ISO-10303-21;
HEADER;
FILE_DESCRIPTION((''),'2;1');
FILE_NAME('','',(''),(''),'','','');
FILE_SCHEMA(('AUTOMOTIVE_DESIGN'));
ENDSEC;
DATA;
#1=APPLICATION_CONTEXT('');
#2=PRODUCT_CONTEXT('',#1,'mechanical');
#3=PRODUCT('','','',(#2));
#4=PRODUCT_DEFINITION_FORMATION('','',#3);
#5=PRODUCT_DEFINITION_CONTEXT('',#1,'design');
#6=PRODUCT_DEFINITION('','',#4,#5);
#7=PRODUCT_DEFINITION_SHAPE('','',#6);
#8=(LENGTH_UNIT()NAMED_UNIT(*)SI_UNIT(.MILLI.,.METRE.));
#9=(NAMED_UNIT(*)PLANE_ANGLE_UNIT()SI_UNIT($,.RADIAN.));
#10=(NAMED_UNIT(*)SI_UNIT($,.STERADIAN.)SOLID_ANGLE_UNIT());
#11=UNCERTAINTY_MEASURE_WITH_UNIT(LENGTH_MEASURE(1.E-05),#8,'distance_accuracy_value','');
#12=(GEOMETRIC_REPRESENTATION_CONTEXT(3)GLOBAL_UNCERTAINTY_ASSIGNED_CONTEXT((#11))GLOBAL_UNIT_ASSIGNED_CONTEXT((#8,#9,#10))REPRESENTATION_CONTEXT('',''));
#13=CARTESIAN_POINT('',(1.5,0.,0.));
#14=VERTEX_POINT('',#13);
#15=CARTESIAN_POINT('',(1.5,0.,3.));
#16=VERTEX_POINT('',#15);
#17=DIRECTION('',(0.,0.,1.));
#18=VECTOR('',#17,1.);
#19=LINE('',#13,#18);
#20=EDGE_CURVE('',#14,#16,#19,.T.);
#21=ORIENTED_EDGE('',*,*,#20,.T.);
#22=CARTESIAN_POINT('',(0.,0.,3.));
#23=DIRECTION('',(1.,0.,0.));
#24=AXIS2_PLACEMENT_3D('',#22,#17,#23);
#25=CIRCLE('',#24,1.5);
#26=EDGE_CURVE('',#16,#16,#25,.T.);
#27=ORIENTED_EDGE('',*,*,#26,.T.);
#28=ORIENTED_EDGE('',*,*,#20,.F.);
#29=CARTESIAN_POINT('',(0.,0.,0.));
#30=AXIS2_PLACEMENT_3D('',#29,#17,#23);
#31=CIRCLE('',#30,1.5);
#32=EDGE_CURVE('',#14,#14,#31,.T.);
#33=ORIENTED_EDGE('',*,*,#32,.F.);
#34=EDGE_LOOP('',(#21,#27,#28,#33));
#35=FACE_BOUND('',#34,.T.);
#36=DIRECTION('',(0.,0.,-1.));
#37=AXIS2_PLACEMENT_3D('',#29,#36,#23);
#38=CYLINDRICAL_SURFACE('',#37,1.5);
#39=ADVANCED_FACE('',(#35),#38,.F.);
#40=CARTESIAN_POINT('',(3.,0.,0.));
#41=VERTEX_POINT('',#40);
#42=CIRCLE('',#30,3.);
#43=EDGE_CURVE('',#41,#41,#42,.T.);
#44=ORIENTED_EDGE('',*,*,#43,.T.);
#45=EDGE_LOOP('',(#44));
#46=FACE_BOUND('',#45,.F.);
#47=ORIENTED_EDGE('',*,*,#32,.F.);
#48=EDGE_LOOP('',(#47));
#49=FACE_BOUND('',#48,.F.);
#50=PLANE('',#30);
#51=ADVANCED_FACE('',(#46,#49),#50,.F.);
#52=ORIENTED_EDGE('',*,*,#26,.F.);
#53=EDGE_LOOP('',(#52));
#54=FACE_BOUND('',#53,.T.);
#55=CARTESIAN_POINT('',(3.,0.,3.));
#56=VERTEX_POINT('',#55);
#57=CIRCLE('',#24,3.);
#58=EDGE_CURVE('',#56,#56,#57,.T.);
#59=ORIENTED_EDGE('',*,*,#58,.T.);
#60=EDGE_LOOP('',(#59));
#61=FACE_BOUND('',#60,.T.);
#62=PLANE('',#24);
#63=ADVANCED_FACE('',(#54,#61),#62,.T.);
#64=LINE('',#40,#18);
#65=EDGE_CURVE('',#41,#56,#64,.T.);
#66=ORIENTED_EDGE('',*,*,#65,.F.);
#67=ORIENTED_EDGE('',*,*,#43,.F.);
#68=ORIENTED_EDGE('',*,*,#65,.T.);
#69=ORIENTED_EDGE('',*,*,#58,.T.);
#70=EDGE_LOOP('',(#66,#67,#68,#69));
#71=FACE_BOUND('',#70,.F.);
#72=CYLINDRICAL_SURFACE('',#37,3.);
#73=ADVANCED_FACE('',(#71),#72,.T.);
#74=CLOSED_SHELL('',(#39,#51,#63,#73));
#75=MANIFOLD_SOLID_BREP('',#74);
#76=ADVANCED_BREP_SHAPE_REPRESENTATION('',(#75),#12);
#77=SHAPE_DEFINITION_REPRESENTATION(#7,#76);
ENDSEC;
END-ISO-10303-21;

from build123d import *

# Parameters (mm, degrees)
SKETCH_1_R      = 3
SKETCH_1_R_2    = 1.5
EXTRUDE_1_DEPTH = 3


with BuildPart() as part:
    # 草图1 → 凸台-拉伸1 (new body)
    with BuildSketch(Plane.XY):
        Circle(SKETCH_1_R)
        Circle(SKETCH_1_R_2, mode=Mode.SUBTRACT)
    extrude(amount=EXTRUDE_1_DEPTH)


solid = part.part
